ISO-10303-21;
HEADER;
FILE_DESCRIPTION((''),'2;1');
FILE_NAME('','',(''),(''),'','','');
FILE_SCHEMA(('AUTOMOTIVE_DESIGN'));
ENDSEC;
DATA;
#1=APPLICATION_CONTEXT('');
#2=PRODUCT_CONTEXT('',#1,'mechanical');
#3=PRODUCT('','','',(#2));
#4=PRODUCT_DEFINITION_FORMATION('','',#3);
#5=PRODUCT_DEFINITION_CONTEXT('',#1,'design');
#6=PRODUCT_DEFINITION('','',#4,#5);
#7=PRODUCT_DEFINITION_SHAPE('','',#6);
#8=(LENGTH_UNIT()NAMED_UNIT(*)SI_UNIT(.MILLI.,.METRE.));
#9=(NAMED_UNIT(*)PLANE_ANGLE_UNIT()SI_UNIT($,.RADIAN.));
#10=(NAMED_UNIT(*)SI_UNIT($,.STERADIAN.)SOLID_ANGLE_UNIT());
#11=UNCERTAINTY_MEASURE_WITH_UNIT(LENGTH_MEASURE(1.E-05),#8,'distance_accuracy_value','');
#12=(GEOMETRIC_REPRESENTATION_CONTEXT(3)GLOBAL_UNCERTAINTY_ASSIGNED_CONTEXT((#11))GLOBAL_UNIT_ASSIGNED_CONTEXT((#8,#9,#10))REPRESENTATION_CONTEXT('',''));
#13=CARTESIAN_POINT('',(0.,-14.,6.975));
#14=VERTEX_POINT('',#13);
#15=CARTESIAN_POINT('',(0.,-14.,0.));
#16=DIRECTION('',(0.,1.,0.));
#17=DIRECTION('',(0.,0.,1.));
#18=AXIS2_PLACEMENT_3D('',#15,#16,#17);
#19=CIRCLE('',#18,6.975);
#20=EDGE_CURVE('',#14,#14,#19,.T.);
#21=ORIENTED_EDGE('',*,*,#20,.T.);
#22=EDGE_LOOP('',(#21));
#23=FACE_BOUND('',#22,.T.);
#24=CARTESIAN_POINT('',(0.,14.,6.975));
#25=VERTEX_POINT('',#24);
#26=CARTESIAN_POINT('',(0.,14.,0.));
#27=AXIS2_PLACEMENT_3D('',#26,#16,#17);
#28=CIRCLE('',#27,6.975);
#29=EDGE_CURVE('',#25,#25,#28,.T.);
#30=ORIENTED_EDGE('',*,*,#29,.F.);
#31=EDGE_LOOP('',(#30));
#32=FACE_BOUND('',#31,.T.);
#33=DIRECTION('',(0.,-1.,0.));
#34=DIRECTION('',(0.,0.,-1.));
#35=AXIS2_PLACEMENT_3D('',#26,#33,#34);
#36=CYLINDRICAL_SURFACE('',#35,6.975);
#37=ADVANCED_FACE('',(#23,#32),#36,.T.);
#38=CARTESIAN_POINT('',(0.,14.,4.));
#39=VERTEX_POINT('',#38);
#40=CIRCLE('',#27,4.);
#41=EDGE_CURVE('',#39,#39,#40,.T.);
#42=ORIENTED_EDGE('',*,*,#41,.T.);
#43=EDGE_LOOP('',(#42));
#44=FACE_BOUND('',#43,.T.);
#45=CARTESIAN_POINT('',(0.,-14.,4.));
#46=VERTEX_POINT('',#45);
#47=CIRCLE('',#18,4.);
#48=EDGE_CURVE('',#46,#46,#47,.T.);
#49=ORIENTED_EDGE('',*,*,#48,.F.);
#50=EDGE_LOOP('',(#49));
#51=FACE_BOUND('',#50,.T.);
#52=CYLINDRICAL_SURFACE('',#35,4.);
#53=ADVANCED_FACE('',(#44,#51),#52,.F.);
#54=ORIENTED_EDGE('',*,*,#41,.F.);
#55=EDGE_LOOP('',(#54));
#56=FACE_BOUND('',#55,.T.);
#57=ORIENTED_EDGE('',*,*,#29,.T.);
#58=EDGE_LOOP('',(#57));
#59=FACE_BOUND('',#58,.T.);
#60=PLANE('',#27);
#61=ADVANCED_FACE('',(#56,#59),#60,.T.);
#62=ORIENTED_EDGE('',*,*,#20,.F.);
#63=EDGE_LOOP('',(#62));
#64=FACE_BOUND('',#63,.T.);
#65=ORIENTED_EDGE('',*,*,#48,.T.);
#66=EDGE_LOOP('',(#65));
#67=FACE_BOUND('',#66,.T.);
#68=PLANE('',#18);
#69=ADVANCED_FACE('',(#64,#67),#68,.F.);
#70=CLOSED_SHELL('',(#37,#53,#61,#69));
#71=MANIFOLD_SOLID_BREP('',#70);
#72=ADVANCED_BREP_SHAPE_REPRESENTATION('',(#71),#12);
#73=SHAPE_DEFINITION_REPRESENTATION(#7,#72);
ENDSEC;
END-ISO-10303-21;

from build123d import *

# Parameters (mm, degrees)
SKETCH1_R           = 6.975
SKETCH1_R_2         = 4
BOSS_EXTRUDE1_DEPTH = 14


with BuildPart() as part:
    # Sketch1 → Boss-Extrude1 (new body, symmetric)
    with BuildSketch(Plane(origin=(0, 0, 0), x_dir=(1, 0, 0), z_dir=(0, 1, 0))):
        Circle(SKETCH1_R)
        Circle(SKETCH1_R_2, mode=Mode.SUBTRACT)
    extrude(amount=BOSS_EXTRUDE1_DEPTH, both=True)


solid = part.part
